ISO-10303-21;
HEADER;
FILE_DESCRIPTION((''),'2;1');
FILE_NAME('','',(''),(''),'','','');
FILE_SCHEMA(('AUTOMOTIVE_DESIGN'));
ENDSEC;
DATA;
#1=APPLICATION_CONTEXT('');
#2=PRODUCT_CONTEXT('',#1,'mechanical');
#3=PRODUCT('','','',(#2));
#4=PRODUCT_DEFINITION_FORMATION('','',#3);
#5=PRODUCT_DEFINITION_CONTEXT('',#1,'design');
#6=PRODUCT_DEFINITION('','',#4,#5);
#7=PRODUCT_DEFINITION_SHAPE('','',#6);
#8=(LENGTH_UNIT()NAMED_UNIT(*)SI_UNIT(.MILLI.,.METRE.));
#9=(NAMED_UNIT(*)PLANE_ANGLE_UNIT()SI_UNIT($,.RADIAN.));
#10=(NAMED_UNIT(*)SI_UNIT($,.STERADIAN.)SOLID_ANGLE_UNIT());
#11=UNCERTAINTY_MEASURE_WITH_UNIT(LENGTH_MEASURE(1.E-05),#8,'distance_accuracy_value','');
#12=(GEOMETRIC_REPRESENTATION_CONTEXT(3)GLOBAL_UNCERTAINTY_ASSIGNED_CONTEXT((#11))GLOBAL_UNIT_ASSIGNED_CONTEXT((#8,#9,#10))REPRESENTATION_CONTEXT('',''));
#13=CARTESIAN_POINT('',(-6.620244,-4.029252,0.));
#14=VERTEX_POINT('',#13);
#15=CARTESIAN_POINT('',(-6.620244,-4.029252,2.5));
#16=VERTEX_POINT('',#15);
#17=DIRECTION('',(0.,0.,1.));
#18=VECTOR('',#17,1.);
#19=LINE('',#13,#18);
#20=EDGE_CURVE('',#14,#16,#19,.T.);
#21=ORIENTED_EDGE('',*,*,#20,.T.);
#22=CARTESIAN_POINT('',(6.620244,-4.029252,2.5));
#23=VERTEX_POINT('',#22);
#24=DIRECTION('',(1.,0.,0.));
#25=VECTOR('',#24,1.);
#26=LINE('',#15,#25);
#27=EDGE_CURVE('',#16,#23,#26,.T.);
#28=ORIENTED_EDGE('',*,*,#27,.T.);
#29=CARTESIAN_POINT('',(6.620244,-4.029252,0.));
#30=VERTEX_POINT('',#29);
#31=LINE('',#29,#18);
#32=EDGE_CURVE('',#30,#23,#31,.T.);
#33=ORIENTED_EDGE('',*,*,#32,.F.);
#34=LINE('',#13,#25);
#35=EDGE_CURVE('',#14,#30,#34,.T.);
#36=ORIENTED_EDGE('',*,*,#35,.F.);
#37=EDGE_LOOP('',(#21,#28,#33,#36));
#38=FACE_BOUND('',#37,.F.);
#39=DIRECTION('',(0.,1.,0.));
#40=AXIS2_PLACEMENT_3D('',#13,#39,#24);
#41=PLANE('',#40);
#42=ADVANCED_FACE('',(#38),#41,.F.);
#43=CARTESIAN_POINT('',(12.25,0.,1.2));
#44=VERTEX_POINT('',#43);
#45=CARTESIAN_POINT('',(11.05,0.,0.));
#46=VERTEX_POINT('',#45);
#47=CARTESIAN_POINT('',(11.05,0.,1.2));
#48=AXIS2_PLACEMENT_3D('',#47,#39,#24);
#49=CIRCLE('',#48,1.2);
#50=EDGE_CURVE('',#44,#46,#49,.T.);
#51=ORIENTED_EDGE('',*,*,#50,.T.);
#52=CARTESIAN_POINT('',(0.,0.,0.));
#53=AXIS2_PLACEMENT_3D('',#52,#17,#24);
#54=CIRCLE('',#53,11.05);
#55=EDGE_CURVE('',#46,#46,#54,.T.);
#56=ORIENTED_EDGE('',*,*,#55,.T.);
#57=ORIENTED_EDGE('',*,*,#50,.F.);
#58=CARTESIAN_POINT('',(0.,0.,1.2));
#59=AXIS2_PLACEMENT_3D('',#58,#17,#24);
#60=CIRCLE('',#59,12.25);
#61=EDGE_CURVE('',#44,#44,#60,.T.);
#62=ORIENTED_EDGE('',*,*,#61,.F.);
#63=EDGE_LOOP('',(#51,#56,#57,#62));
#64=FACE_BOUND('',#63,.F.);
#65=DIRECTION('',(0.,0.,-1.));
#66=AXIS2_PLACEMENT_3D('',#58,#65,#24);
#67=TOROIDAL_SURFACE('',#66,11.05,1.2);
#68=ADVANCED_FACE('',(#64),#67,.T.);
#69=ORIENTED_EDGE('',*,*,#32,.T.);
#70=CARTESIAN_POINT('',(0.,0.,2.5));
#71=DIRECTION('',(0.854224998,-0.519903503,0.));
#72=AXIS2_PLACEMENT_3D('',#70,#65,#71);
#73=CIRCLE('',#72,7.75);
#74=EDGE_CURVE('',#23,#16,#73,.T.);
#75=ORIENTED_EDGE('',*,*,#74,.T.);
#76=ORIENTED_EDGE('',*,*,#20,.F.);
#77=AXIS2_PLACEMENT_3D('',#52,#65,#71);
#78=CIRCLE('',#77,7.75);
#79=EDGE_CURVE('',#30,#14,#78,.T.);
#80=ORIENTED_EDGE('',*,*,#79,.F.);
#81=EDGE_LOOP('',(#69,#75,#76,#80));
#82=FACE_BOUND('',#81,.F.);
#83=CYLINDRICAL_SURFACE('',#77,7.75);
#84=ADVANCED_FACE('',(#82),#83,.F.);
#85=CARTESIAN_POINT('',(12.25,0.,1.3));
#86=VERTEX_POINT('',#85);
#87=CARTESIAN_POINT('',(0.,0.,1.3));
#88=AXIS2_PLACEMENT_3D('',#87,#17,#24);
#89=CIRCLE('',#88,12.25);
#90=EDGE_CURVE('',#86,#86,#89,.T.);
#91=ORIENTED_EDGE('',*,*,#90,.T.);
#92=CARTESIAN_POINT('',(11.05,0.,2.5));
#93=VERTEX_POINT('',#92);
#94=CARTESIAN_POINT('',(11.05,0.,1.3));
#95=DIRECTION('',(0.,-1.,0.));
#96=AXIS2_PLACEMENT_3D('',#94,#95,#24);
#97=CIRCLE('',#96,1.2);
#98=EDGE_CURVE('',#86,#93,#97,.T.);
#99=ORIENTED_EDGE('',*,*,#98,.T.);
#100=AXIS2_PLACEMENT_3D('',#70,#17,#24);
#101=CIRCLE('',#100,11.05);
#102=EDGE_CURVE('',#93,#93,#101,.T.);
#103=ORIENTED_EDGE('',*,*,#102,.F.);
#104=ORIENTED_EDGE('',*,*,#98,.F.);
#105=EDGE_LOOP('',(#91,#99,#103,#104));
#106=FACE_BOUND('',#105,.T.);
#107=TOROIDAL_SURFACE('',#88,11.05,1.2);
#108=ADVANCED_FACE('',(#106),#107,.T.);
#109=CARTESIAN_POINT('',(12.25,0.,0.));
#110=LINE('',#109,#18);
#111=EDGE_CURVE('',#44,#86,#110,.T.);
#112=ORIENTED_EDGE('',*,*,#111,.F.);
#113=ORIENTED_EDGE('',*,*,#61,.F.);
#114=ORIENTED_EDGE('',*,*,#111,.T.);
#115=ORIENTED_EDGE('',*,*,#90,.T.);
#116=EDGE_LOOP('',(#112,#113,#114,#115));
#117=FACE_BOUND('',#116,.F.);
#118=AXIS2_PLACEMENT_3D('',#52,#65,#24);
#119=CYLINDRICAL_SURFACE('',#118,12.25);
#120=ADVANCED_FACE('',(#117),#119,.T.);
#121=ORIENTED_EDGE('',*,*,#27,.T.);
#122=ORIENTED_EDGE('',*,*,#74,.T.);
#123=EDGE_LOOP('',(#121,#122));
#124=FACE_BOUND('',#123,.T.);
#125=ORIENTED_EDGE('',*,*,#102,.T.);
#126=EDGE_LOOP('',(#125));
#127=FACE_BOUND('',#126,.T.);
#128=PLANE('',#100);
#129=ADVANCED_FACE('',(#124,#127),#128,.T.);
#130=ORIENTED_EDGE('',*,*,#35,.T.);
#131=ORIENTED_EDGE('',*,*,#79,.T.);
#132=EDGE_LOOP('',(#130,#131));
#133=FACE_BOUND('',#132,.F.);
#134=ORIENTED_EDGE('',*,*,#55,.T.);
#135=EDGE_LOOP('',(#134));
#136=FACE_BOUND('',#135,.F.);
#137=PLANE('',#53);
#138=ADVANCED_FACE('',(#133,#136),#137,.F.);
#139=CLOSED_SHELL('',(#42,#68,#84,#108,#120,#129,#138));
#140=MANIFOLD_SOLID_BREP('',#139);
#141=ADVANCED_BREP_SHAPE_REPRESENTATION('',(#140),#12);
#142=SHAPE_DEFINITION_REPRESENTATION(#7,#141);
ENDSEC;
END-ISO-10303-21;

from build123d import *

# Parameters (mm, degrees)
F0_R     = 12.25
F1_DEPTH = 2.5
F2_R     = 1.2


with BuildPart() as f1:
    # F0 (on Top) → F1 (new body)
    with BuildSketch(Plane.XY):
        Circle(F0_R)
        with BuildLine():
            ThreePointArc((6.620244, -4.029252), (0, -7.75), (-6.620244, -4.029252))
            Line((-6.620244, -4.029252), (6.620244, -4.029252))
        make_face(mode=Mode.SUBTRACT)
    extrude(amount=F1_DEPTH)

    # F2
    f2_edges = [f1.edges().sort_by_distance(p)[0] for p in [
        (-12.25, 0, 2.5),
        (-12.25, 0, 0),
    ]]
    fillet(f2_edges, radius=F2_R)


solid = f1.part
